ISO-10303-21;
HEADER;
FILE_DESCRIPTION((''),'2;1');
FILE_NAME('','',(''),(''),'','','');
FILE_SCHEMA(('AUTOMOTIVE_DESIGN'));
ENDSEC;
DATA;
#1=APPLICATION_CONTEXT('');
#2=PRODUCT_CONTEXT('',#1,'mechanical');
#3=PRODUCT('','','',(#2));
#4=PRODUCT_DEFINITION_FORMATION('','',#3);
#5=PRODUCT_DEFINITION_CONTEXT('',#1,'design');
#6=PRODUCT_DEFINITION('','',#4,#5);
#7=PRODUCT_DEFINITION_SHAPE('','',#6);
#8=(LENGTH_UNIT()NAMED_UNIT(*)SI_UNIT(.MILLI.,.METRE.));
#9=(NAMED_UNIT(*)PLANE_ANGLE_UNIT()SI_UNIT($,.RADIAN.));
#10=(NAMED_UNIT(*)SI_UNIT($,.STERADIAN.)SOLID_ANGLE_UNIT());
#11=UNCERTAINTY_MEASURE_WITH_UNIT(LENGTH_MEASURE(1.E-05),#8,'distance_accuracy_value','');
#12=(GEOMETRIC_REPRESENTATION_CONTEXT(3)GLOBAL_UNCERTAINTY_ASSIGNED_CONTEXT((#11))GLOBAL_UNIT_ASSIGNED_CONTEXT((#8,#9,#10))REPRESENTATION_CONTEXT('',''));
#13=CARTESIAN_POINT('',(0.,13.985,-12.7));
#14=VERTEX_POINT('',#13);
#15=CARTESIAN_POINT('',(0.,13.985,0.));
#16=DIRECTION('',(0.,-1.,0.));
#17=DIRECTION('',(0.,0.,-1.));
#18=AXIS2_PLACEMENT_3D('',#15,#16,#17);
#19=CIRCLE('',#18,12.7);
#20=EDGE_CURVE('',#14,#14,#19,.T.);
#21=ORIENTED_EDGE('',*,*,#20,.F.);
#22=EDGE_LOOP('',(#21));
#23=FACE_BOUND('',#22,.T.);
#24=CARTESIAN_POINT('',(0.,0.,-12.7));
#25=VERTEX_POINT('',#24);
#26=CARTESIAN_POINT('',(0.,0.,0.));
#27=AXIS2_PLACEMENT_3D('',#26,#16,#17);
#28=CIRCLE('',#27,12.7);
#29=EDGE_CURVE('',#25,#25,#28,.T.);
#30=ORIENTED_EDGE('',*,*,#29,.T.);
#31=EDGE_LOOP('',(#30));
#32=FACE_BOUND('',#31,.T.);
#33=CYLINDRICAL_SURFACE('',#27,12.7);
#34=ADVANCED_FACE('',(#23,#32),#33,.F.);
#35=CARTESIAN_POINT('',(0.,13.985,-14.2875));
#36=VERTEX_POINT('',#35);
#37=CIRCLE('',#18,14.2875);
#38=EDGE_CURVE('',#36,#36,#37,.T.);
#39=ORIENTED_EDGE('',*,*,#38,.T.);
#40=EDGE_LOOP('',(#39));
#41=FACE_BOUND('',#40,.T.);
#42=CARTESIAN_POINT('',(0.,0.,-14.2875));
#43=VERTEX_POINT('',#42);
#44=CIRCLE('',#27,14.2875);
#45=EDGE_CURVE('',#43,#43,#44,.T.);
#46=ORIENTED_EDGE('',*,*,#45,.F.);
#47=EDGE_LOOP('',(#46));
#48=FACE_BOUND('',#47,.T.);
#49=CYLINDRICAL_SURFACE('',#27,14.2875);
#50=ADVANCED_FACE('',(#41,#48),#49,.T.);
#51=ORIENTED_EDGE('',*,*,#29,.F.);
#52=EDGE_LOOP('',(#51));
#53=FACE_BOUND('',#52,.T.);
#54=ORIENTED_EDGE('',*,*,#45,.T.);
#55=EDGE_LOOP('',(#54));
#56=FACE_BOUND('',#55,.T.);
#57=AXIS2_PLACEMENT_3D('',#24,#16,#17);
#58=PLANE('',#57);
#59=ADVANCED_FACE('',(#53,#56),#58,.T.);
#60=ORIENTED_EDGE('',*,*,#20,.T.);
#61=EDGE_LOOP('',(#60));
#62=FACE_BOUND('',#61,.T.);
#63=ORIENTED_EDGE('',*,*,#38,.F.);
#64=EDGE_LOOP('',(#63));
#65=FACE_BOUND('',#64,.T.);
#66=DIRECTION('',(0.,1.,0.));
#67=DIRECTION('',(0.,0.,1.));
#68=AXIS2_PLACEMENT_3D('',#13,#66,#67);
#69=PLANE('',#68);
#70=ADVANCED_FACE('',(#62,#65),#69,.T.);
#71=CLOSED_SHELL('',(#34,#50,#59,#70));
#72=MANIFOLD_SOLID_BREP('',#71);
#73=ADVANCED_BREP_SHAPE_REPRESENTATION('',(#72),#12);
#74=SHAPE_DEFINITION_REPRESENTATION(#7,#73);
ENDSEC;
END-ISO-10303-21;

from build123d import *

# Parameters (mm, degrees)
SKETCH1_W = 1.5875
SKETCH1_H = 13.98499997


with BuildPart() as part:
    # Sketch1 → Revolve1 (revolve)
    with BuildSketch(Plane(origin=(0, 0, 0), x_dir=(0, 0, -1), z_dir=(1, 0, 0))):
        with Locations((13.49375, 6.992499985)):
            Rectangle(SKETCH1_W, SKETCH1_H)
    revolve(axis=Axis((0, 0, 0), (0, 1, 0)))


solid = part.part
